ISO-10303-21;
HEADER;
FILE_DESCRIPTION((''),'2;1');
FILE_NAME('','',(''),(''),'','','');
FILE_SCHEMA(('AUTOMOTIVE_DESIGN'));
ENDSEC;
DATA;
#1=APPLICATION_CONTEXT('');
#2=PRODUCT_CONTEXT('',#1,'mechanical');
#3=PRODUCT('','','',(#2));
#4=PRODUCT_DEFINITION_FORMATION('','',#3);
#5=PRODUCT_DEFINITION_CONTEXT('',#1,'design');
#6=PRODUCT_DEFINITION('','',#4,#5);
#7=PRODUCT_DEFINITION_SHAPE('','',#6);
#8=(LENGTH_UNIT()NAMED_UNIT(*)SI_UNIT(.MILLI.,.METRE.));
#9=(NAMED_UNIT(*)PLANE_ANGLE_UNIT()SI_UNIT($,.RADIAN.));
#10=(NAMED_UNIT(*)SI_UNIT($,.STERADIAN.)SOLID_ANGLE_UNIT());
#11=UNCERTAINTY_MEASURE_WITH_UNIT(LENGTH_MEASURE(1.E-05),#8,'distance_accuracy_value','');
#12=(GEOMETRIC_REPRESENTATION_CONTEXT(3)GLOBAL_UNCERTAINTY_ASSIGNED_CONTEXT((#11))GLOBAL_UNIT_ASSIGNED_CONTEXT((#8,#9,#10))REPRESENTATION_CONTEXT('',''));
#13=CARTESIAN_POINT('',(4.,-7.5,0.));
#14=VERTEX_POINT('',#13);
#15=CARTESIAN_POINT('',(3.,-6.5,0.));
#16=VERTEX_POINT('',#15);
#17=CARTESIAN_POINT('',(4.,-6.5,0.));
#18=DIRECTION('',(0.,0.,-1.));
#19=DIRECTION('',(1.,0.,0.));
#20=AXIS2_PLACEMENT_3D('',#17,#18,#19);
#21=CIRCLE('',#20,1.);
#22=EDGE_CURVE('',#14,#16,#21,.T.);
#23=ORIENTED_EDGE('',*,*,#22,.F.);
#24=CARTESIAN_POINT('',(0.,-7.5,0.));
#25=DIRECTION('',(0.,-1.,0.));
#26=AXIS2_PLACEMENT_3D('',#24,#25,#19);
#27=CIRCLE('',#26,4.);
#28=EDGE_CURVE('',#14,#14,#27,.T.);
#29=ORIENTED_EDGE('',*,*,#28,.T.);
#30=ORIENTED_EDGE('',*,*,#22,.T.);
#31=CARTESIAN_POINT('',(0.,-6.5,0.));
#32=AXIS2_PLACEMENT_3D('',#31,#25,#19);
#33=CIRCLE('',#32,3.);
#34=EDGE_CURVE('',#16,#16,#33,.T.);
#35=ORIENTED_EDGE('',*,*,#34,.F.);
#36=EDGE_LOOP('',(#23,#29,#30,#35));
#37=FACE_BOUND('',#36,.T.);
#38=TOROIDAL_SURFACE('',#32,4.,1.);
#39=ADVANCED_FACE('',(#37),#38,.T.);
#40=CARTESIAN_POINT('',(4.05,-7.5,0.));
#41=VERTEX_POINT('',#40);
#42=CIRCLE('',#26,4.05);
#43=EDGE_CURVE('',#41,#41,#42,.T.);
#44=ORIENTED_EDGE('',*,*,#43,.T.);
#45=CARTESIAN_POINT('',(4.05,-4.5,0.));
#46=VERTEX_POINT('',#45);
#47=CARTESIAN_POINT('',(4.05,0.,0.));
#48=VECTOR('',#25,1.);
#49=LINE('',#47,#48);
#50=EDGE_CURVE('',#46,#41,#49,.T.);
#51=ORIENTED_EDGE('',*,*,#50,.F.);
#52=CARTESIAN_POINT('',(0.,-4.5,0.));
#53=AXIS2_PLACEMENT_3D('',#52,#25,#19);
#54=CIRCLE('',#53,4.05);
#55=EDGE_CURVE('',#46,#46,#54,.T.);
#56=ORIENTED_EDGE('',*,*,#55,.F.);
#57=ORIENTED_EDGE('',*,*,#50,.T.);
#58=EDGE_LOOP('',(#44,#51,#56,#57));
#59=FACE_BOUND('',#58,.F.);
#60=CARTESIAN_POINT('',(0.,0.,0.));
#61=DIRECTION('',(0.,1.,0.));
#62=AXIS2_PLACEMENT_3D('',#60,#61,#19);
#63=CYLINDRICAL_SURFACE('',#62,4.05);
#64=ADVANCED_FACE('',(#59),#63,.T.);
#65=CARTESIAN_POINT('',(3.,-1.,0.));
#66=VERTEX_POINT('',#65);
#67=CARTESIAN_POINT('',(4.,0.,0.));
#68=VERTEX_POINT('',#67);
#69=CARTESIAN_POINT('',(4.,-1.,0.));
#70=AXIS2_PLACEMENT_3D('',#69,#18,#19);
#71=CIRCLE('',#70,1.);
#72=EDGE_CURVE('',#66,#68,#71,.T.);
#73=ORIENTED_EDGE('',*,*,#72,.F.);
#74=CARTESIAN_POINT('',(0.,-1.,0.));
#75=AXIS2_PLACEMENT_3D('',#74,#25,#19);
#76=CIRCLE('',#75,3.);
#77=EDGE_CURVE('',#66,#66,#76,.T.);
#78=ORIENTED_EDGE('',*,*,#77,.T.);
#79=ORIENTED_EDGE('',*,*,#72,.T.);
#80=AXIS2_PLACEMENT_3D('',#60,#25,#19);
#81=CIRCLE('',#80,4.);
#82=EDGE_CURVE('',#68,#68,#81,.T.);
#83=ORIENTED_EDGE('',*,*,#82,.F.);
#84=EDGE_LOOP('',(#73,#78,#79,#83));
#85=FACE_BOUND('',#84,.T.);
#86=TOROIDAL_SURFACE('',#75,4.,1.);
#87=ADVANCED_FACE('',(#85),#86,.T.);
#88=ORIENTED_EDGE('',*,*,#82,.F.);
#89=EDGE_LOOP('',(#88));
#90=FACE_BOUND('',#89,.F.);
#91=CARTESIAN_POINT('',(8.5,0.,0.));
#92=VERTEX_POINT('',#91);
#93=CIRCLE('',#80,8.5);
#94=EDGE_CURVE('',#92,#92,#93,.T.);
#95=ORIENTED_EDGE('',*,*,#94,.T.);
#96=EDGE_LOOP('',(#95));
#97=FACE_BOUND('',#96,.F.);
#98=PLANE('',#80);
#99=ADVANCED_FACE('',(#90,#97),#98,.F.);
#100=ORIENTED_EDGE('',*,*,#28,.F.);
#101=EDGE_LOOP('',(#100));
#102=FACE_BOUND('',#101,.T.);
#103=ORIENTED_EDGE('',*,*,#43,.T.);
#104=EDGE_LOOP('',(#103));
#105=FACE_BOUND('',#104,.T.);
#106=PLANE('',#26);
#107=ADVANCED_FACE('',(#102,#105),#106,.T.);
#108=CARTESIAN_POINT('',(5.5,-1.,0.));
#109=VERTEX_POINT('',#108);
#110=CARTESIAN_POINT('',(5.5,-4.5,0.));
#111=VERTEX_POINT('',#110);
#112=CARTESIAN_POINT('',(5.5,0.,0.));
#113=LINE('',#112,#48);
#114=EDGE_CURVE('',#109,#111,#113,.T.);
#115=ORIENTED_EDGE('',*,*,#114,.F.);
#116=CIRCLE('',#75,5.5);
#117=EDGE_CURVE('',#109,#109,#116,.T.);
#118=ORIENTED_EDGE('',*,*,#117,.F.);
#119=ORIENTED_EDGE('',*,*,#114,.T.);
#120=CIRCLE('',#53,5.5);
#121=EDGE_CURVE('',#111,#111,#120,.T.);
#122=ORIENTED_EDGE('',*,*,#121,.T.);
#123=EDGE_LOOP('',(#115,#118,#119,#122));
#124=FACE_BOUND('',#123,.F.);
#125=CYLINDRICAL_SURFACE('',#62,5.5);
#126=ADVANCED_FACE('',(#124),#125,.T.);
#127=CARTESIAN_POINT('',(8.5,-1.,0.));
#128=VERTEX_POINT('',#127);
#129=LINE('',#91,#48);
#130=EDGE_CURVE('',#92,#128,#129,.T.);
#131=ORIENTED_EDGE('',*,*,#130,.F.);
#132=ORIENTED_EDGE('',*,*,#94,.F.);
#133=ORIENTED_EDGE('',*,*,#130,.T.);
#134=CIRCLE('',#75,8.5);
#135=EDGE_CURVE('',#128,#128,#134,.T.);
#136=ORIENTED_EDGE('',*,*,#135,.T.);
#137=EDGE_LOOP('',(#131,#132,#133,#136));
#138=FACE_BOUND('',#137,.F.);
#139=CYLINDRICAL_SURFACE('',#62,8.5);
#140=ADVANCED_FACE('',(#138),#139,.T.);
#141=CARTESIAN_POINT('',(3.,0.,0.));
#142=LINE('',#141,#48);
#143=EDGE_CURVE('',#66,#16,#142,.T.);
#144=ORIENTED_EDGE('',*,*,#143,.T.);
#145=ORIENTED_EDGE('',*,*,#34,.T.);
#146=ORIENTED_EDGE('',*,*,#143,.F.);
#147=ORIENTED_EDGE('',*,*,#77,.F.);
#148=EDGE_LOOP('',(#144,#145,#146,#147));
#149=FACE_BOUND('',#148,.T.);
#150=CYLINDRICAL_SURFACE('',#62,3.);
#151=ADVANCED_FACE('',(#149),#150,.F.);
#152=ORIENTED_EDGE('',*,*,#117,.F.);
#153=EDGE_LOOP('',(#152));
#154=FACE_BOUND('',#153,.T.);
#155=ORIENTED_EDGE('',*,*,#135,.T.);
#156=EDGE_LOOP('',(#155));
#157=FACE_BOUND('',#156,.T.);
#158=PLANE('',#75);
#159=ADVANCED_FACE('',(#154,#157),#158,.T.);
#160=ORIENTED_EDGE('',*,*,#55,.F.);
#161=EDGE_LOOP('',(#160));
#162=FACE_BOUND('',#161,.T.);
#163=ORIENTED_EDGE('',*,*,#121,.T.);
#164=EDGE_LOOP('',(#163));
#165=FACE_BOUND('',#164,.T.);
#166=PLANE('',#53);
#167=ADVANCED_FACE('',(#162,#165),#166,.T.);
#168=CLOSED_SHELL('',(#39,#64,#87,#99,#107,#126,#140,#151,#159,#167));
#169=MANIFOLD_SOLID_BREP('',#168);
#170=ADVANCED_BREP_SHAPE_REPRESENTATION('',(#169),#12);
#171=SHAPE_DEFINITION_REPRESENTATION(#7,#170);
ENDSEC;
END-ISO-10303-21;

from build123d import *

# Parameters (mm, degrees)
F0_R     = 8.5
F0_R_2   = 5.5
F1_DEPTH = 1
F0_R_3   = 4.05
F2_DEPTH = 4.5
F0_R_4   = 3
F3_DEPTH = 7.5
F4_R     = 1
F5_R     = 1


with BuildPart() as f1:
    # F0 (on Front) → F1 (new body)
    with BuildSketch(Plane.XZ):
        Circle(F0_R)
        Circle(F0_R_2, mode=Mode.SUBTRACT)
    extrude(amount=F1_DEPTH)

    # F0 (on Front) → F2 (join)
    with BuildSketch(Plane.XZ):
        Circle(F0_R_2)
        Circle(F0_R_3, mode=Mode.SUBTRACT)
    extrude(amount=F2_DEPTH)

    # F0 (on Front) → F3 (join)
    with BuildSketch(Plane.XZ):
        Circle(F0_R_3)
        Circle(F0_R_4, mode=Mode.SUBTRACT)
    extrude(amount=F3_DEPTH)

    # F4
    f4_edges = [f1.edges().sort_by_distance(p)[0] for p in [
        (-3, -7.5, 0),
    ]]
    fillet(f4_edges, radius=F4_R)

    # F5
    f5_edges = [f1.edges().sort_by_distance(p)[0] for p in [
        (-3, 0, 0),
    ]]
    fillet(f5_edges, radius=F5_R)


solid = f1.part
